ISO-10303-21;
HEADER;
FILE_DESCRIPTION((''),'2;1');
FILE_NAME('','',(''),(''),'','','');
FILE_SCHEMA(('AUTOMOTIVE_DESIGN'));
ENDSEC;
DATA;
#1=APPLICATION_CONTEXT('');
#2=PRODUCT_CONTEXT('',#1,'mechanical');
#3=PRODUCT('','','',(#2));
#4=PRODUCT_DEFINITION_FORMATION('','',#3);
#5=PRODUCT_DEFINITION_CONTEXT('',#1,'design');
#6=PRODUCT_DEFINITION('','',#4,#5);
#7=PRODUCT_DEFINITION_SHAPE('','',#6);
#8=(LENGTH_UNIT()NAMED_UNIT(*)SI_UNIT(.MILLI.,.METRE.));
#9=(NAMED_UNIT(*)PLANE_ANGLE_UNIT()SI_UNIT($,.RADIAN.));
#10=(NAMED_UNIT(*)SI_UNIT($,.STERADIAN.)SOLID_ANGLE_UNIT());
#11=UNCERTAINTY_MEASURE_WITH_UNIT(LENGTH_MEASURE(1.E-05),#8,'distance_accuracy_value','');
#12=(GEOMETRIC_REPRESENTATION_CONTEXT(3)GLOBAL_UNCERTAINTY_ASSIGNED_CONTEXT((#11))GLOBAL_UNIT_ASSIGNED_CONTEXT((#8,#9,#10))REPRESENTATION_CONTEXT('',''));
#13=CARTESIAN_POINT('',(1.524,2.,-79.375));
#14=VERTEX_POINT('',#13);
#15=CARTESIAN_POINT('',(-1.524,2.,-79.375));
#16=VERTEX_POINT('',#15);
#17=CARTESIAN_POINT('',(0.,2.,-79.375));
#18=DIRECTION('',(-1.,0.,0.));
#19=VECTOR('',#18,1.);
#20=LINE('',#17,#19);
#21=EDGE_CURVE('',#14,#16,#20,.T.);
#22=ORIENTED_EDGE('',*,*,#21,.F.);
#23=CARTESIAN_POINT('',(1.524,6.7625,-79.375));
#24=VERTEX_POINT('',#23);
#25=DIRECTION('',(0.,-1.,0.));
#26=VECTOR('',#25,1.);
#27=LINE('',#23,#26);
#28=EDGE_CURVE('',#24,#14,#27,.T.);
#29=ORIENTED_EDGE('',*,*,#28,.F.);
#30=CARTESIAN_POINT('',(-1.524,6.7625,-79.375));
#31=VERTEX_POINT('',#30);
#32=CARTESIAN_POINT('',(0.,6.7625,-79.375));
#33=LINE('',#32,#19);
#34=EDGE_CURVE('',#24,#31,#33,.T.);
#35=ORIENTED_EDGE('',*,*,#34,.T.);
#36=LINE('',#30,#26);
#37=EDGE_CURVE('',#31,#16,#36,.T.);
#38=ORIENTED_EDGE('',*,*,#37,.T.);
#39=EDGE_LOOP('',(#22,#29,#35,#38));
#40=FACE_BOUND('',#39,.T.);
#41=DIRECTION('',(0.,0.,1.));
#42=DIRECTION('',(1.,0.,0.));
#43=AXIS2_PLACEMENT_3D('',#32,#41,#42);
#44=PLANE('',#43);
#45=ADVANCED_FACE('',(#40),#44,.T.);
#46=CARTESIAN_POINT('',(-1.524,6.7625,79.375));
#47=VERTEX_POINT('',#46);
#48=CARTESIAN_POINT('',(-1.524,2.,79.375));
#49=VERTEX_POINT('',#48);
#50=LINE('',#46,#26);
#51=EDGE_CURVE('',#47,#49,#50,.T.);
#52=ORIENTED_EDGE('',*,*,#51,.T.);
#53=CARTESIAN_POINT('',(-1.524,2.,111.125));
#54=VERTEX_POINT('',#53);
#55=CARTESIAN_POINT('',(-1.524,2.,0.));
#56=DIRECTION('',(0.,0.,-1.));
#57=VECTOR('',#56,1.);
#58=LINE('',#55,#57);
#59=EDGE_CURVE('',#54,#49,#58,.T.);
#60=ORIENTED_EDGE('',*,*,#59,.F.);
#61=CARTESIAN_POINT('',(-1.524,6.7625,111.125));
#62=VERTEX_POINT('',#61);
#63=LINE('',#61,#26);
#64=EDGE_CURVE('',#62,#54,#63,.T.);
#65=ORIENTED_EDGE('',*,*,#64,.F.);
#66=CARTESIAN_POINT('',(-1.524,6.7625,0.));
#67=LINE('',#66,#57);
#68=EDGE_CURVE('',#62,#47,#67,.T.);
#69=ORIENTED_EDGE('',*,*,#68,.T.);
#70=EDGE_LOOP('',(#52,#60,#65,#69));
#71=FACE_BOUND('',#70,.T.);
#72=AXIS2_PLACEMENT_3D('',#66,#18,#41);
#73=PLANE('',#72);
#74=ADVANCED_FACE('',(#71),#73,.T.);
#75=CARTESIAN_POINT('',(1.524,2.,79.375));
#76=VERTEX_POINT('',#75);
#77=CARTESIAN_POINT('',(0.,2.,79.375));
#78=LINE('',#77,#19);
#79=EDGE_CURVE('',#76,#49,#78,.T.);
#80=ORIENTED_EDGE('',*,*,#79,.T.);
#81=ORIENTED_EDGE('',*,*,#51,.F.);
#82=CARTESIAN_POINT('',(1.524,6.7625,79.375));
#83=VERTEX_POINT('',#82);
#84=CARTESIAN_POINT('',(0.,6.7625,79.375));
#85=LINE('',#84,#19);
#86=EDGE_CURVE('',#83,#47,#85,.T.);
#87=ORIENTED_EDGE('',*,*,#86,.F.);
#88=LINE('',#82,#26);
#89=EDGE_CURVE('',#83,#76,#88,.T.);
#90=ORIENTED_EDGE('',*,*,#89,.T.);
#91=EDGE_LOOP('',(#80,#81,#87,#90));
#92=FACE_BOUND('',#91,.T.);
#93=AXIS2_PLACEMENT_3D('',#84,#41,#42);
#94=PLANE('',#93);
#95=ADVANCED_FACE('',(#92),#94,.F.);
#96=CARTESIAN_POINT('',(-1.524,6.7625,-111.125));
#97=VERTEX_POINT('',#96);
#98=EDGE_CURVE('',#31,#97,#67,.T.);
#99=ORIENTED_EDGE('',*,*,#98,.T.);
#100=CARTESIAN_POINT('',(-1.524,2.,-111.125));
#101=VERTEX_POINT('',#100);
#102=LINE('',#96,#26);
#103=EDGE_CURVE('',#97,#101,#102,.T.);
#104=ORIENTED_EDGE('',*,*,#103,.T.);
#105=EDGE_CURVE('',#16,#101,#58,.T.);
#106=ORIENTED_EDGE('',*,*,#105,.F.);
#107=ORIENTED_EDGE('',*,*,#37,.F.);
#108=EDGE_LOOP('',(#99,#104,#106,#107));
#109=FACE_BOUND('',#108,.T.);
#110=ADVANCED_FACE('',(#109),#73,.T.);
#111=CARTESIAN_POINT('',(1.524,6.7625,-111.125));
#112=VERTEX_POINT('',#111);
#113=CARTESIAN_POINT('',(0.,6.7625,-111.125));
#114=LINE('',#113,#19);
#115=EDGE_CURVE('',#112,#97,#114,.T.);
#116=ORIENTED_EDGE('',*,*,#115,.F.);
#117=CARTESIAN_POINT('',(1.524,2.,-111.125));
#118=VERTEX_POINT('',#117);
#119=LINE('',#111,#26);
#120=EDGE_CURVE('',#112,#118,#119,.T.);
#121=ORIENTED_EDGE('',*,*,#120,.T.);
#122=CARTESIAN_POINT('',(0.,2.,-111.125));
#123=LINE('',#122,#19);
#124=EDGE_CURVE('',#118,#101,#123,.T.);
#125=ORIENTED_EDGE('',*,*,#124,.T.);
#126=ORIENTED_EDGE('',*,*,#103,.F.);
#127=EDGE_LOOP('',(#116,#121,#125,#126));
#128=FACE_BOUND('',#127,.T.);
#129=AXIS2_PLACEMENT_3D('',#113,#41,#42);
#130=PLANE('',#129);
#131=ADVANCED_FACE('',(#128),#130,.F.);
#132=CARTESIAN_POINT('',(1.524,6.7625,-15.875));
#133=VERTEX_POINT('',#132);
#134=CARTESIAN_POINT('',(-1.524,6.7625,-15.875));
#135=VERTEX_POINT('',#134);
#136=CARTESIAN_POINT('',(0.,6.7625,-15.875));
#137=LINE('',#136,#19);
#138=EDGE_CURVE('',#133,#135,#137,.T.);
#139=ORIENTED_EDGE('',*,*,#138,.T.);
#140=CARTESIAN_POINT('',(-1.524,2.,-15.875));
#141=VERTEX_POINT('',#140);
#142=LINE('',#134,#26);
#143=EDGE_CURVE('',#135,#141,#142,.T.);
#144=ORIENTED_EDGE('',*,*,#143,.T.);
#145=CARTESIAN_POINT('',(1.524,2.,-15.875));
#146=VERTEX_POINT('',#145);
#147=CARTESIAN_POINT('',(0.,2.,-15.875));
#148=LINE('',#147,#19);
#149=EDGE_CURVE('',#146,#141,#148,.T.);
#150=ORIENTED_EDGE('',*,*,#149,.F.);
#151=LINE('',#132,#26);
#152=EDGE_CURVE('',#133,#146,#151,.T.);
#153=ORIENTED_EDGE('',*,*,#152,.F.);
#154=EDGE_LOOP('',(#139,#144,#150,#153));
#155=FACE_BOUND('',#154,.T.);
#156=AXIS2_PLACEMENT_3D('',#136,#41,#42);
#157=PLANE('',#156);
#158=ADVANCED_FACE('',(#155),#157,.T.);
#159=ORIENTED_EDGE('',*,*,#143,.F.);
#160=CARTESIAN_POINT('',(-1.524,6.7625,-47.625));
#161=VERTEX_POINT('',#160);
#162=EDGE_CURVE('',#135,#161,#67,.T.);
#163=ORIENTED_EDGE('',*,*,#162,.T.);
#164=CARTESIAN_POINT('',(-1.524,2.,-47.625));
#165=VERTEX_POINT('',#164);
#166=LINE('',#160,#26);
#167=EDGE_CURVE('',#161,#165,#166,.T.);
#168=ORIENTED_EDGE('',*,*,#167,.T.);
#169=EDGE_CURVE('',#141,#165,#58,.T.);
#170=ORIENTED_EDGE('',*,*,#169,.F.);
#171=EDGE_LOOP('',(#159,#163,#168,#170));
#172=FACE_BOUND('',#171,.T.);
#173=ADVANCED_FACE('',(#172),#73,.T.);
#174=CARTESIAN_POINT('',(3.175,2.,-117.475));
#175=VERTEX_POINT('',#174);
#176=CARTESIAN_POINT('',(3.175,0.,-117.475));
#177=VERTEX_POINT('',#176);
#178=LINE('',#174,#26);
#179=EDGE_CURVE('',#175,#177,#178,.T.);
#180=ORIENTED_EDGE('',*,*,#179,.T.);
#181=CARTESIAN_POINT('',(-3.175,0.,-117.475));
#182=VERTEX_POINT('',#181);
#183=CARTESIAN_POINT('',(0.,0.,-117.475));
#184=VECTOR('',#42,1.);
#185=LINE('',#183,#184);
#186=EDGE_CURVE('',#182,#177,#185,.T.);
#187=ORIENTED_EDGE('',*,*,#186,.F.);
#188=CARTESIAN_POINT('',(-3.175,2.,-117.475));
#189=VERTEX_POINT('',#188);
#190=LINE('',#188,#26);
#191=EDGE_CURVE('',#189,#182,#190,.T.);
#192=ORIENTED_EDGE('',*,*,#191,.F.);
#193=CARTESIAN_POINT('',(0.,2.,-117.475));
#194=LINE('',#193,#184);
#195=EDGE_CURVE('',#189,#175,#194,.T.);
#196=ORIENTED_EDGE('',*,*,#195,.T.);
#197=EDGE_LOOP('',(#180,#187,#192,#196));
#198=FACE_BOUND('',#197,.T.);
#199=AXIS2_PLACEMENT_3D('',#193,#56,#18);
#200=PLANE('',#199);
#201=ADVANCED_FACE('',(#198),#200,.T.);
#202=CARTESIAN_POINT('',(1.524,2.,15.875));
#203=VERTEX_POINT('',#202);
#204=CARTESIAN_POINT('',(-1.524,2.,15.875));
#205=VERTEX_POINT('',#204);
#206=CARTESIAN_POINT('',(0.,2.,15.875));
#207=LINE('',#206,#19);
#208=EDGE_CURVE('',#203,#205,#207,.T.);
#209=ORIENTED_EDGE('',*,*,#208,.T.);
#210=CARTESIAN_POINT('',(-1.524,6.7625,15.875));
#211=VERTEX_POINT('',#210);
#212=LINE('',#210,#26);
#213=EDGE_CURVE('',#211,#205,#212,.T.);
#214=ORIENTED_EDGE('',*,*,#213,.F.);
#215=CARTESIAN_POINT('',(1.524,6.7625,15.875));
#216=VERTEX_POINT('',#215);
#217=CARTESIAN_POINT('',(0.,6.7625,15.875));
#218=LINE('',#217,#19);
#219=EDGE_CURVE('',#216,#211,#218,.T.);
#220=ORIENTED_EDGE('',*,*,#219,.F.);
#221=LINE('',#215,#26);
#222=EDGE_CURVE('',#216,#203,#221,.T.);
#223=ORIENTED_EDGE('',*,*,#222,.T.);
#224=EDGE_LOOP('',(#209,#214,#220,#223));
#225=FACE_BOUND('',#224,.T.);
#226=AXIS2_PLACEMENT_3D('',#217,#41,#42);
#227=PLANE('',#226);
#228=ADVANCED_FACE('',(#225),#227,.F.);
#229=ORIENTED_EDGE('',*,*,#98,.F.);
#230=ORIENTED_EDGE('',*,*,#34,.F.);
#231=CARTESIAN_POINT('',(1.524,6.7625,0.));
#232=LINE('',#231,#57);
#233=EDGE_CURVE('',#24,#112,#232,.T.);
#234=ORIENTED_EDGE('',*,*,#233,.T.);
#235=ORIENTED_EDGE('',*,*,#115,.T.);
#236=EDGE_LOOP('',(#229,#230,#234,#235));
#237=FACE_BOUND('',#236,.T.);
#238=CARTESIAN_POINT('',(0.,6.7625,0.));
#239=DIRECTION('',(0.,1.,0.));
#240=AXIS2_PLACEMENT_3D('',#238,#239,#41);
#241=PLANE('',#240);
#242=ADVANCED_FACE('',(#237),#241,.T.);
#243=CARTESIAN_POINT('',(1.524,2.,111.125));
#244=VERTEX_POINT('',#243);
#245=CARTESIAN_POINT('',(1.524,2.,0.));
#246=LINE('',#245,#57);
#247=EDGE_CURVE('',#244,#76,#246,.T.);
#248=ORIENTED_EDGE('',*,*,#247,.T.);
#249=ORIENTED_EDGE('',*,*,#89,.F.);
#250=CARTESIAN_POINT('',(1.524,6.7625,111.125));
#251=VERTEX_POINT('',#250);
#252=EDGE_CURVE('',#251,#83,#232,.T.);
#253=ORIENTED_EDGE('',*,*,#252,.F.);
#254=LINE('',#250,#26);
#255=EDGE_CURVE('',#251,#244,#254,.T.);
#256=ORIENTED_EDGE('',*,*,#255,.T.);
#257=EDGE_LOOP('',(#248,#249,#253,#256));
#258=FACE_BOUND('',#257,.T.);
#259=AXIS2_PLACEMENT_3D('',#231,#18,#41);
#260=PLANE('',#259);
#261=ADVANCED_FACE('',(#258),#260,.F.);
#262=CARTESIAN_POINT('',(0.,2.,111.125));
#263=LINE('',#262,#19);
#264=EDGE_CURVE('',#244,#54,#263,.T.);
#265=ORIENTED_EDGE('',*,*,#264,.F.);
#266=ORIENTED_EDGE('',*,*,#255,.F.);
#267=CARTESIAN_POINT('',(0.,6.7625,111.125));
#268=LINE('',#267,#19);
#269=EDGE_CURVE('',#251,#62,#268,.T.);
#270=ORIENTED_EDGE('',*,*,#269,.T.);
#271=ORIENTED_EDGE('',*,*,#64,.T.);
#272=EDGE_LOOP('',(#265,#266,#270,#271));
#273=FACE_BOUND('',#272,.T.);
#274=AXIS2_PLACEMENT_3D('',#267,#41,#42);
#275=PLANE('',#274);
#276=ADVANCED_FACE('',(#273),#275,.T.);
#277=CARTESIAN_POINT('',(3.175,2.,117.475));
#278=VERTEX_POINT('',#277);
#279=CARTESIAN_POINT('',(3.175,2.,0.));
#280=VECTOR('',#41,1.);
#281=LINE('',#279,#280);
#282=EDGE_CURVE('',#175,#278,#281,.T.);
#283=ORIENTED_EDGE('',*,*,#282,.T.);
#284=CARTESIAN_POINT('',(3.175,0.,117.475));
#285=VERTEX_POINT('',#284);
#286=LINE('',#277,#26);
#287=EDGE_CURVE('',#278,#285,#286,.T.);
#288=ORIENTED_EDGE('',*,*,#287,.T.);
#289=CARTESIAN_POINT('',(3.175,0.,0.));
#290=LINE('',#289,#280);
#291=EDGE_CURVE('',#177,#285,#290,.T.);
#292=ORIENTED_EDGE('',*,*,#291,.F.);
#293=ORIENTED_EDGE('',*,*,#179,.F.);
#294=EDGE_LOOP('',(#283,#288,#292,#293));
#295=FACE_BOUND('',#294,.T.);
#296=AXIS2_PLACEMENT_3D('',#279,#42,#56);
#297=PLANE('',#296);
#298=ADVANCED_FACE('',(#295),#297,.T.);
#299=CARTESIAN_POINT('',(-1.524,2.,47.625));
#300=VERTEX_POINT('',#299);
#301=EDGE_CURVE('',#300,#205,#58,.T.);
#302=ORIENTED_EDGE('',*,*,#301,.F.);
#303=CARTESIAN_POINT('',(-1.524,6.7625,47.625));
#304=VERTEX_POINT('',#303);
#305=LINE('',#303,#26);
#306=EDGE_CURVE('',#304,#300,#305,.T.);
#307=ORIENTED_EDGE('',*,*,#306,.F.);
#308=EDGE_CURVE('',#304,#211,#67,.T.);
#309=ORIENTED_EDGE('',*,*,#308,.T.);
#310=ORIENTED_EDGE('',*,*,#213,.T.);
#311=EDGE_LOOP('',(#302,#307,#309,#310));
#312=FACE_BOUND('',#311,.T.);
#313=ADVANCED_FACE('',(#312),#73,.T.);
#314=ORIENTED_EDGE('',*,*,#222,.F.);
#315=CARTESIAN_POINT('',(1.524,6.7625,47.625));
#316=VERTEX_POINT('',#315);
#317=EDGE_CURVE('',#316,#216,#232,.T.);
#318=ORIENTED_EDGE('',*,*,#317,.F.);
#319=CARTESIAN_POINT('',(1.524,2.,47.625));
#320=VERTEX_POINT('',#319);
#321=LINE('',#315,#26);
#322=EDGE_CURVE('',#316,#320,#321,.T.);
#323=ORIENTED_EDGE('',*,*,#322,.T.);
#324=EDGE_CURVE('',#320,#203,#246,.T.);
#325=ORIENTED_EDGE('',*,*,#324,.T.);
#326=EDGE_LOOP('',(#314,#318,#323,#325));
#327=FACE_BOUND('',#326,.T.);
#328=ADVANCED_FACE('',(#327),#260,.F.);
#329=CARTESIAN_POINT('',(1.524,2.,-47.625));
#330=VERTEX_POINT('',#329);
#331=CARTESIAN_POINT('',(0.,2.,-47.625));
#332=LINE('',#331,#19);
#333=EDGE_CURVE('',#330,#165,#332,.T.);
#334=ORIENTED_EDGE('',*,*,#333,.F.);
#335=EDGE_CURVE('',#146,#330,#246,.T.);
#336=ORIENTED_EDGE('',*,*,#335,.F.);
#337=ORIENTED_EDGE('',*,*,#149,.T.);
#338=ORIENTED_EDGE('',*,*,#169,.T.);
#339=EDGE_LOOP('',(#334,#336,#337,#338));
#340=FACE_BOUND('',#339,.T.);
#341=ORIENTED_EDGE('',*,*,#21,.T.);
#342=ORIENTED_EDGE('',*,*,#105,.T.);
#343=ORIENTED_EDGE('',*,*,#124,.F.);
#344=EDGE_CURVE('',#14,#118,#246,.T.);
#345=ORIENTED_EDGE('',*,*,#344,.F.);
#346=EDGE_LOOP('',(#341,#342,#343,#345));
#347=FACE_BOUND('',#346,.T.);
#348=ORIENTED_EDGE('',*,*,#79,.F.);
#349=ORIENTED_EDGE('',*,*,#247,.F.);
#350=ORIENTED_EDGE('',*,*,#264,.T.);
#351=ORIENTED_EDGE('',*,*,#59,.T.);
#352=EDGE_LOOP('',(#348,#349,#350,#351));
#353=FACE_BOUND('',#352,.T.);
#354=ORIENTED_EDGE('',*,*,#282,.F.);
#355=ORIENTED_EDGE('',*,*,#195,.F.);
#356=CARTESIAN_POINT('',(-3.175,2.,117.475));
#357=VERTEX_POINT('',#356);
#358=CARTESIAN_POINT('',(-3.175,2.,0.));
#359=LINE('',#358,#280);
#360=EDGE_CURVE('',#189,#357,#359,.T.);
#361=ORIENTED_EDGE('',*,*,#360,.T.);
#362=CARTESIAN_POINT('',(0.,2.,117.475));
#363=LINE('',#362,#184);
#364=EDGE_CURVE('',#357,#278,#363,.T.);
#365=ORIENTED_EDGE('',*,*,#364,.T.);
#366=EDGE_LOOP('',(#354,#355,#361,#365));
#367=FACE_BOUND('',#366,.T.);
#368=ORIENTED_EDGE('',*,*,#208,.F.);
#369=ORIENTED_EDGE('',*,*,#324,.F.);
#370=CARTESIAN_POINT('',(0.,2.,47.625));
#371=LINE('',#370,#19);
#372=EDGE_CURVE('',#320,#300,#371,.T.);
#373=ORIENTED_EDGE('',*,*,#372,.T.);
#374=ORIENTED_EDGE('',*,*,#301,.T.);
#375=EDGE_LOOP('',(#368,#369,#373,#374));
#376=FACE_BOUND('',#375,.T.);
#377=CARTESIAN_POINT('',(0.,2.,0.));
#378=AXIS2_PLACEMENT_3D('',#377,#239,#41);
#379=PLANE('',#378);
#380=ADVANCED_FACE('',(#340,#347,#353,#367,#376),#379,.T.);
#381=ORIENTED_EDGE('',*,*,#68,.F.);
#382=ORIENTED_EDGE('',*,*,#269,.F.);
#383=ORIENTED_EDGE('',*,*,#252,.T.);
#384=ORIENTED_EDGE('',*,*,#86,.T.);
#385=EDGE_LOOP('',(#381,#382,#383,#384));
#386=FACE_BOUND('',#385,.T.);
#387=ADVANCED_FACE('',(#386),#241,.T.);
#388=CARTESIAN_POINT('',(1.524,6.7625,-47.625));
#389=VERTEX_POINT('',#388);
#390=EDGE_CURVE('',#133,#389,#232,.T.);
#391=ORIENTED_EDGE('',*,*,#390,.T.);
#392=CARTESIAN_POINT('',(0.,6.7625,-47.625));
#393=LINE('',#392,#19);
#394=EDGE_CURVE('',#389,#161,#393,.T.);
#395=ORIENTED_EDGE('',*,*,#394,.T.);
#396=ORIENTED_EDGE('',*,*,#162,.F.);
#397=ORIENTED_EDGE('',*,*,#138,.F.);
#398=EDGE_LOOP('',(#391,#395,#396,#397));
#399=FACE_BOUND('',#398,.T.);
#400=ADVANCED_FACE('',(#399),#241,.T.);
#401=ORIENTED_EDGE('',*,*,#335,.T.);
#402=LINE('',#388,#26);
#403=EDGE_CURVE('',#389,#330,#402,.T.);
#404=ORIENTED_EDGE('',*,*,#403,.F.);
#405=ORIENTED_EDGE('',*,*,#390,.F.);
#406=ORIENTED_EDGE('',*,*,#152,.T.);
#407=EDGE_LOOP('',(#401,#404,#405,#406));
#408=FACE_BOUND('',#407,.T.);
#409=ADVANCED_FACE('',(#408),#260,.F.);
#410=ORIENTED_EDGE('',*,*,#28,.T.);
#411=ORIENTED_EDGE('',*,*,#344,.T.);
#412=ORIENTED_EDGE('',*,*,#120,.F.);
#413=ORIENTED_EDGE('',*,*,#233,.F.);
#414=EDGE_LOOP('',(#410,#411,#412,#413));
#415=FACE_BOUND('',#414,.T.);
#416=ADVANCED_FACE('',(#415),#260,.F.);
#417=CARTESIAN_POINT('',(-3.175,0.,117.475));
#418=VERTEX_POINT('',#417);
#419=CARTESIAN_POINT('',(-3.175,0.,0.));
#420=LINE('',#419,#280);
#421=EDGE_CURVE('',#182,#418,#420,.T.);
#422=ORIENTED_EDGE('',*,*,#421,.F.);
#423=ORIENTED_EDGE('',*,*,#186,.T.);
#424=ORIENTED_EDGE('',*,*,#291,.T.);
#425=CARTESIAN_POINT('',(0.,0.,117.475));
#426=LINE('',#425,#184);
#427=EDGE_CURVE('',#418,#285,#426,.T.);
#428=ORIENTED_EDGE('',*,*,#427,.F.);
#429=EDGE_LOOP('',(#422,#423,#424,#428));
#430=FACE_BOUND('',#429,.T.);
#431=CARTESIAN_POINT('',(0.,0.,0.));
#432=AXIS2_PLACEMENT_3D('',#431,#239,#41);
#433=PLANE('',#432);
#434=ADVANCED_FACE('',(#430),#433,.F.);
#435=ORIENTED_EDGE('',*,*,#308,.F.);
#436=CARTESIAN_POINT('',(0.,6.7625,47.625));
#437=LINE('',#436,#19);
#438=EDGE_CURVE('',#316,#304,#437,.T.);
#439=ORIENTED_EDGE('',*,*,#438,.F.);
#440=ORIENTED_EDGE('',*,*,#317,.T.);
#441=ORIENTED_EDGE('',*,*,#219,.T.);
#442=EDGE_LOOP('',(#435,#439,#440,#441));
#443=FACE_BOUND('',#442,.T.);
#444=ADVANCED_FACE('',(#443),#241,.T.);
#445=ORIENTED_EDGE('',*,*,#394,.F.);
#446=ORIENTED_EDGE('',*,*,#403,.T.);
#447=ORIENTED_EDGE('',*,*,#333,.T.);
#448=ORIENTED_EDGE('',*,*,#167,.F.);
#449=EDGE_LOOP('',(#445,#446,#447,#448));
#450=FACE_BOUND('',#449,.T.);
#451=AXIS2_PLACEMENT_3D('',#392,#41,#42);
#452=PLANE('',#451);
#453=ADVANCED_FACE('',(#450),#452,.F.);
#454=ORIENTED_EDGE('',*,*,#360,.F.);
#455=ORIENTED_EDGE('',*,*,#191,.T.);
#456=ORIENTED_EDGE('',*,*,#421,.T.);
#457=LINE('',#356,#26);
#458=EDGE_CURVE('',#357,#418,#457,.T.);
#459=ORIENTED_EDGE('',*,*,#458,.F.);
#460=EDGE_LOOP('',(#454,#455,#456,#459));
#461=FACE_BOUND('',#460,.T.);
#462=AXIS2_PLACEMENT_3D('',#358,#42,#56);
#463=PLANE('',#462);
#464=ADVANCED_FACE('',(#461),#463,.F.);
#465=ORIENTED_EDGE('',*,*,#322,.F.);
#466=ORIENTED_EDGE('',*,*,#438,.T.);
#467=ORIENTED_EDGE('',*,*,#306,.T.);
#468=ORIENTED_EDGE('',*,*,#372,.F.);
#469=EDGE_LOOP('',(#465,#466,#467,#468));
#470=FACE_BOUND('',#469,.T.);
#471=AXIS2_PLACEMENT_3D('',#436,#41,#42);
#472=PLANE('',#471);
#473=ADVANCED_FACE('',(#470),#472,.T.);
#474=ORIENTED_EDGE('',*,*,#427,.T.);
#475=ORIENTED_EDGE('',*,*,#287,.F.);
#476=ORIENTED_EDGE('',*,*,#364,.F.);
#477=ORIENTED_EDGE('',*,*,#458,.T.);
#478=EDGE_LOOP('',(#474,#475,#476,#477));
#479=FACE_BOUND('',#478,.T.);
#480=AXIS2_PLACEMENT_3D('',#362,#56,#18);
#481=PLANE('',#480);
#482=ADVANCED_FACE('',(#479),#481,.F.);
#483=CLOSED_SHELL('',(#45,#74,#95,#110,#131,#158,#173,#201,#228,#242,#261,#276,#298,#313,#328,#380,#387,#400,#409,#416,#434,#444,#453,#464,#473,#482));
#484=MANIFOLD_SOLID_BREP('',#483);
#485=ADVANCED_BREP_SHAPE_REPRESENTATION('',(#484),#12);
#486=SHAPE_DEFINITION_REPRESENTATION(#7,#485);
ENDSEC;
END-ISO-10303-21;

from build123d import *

# Parameters (mm, degrees)
SKETCH1_W           = 1.524
SKETCH1_H           = 31.75
BOSS_EXTRUDE1_DEPTH = 2
BOSS_EXTRUDE2_START = 2
SKETCH1_3_W         = 1.524
SKETCH1_3_H         = 31.75
BOSS_EXTRUDE2_DEPTH = 4.7625


with BuildPart() as part:
    # Sketch1 → Boss-Extrude1 (new body)
    with BuildSketch(Plane(origin=(0, 0, 0), x_dir=(1, 0, 0), z_dir=(0, 1, 0))):
        Polygon((3.175, 117.475), (0, 117.475), (0, 111.125), (1.524, 111.125), (1.524, 79.375), (1.524, 47.625), (1.524, 15.875), (1.524, -15.875), (1.524, -47.625), (1.524, -79.375), (1.524, -111.125), (0, -111.125), (0, -117.475), (3.175, -117.475), align=None)
        Polygon((0, 111.125), (0, 117.475), (-3.175, 117.475), (-3.175, -117.475), (0, -117.475), (0, -111.125), (-1.524, -111.125), (-1.524, -79.375), (-1.524, -47.625), (-1.524, -15.875), (-1.524, 15.875), (-1.524, 47.625), (-1.524, 79.375), (-1.524, 111.125), align=None)
        with Locations((-0.762, 95.25)):
            Rectangle(SKETCH1_W, SKETCH1_H)
        with Locations((0.762, 95.25)):
            Rectangle(SKETCH1_W, SKETCH1_H)
        with Locations((0.762, 63.5)):
            Rectangle(SKETCH1_W, SKETCH1_H)
        with Locations((-0.762, 63.5)):
            Rectangle(SKETCH1_W, SKETCH1_H)
        with Locations((-0.762, 31.75)):
            Rectangle(SKETCH1_W, SKETCH1_H)
        with Locations((0.762, 31.75)):
            Rectangle(SKETCH1_W, SKETCH1_H)
        with Locations((0.762, 0)):
            Rectangle(SKETCH1_W, SKETCH1_H)
        with Locations((-0.762, 0)):
            Rectangle(SKETCH1_W, SKETCH1_H)
        with Locations((0.762, -63.5)):
            Rectangle(SKETCH1_W, SKETCH1_H)
        with Locations((-0.762, -63.5)):
            Rectangle(SKETCH1_W, SKETCH1_H)
        with Locations((-0.762, -95.25)):
            Rectangle(SKETCH1_W, SKETCH1_H)
        with Locations((0.762, -95.25)):
            Rectangle(SKETCH1_W, SKETCH1_H)
        with Locations((0.762, -31.75)):
            Rectangle(SKETCH1_W, SKETCH1_H)
        with Locations((-0.762, -31.75)):
            Rectangle(SKETCH1_W, SKETCH1_H)
    extrude(amount=BOSS_EXTRUDE1_DEPTH)

    # Sketch1<3> → Boss-Extrude2 (add)
    with BuildSketch(Plane(origin=(0, 0, 0), x_dir=(1, 0, 0), z_dir=(0, 1, 0)).offset(BOSS_EXTRUDE2_START)):
        with Locations((0.762, 95.25)):
            Rectangle(SKETCH1_3_W, SKETCH1_3_H)
        with Locations((-0.762, 95.25)):
            Rectangle(SKETCH1_3_W, SKETCH1_3_H)
        with Locations((0.762, 31.75)):
            Rectangle(SKETCH1_3_W, SKETCH1_3_H)
        with Locations((-0.762, 31.75)):
            Rectangle(SKETCH1_3_W, SKETCH1_3_H)
        with Locations((0.762, -31.75)):
            Rectangle(SKETCH1_3_W, SKETCH1_3_H)
        with Locations((-0.762, -31.75)):
            Rectangle(SKETCH1_3_W, SKETCH1_3_H)
        with Locations((0.762, -95.25)):
            Rectangle(SKETCH1_3_W, SKETCH1_3_H)
        with Locations((-0.762, -95.25)):
            Rectangle(SKETCH1_3_W, SKETCH1_3_H)
    extrude(amount=BOSS_EXTRUDE2_DEPTH)


solid = part.part
